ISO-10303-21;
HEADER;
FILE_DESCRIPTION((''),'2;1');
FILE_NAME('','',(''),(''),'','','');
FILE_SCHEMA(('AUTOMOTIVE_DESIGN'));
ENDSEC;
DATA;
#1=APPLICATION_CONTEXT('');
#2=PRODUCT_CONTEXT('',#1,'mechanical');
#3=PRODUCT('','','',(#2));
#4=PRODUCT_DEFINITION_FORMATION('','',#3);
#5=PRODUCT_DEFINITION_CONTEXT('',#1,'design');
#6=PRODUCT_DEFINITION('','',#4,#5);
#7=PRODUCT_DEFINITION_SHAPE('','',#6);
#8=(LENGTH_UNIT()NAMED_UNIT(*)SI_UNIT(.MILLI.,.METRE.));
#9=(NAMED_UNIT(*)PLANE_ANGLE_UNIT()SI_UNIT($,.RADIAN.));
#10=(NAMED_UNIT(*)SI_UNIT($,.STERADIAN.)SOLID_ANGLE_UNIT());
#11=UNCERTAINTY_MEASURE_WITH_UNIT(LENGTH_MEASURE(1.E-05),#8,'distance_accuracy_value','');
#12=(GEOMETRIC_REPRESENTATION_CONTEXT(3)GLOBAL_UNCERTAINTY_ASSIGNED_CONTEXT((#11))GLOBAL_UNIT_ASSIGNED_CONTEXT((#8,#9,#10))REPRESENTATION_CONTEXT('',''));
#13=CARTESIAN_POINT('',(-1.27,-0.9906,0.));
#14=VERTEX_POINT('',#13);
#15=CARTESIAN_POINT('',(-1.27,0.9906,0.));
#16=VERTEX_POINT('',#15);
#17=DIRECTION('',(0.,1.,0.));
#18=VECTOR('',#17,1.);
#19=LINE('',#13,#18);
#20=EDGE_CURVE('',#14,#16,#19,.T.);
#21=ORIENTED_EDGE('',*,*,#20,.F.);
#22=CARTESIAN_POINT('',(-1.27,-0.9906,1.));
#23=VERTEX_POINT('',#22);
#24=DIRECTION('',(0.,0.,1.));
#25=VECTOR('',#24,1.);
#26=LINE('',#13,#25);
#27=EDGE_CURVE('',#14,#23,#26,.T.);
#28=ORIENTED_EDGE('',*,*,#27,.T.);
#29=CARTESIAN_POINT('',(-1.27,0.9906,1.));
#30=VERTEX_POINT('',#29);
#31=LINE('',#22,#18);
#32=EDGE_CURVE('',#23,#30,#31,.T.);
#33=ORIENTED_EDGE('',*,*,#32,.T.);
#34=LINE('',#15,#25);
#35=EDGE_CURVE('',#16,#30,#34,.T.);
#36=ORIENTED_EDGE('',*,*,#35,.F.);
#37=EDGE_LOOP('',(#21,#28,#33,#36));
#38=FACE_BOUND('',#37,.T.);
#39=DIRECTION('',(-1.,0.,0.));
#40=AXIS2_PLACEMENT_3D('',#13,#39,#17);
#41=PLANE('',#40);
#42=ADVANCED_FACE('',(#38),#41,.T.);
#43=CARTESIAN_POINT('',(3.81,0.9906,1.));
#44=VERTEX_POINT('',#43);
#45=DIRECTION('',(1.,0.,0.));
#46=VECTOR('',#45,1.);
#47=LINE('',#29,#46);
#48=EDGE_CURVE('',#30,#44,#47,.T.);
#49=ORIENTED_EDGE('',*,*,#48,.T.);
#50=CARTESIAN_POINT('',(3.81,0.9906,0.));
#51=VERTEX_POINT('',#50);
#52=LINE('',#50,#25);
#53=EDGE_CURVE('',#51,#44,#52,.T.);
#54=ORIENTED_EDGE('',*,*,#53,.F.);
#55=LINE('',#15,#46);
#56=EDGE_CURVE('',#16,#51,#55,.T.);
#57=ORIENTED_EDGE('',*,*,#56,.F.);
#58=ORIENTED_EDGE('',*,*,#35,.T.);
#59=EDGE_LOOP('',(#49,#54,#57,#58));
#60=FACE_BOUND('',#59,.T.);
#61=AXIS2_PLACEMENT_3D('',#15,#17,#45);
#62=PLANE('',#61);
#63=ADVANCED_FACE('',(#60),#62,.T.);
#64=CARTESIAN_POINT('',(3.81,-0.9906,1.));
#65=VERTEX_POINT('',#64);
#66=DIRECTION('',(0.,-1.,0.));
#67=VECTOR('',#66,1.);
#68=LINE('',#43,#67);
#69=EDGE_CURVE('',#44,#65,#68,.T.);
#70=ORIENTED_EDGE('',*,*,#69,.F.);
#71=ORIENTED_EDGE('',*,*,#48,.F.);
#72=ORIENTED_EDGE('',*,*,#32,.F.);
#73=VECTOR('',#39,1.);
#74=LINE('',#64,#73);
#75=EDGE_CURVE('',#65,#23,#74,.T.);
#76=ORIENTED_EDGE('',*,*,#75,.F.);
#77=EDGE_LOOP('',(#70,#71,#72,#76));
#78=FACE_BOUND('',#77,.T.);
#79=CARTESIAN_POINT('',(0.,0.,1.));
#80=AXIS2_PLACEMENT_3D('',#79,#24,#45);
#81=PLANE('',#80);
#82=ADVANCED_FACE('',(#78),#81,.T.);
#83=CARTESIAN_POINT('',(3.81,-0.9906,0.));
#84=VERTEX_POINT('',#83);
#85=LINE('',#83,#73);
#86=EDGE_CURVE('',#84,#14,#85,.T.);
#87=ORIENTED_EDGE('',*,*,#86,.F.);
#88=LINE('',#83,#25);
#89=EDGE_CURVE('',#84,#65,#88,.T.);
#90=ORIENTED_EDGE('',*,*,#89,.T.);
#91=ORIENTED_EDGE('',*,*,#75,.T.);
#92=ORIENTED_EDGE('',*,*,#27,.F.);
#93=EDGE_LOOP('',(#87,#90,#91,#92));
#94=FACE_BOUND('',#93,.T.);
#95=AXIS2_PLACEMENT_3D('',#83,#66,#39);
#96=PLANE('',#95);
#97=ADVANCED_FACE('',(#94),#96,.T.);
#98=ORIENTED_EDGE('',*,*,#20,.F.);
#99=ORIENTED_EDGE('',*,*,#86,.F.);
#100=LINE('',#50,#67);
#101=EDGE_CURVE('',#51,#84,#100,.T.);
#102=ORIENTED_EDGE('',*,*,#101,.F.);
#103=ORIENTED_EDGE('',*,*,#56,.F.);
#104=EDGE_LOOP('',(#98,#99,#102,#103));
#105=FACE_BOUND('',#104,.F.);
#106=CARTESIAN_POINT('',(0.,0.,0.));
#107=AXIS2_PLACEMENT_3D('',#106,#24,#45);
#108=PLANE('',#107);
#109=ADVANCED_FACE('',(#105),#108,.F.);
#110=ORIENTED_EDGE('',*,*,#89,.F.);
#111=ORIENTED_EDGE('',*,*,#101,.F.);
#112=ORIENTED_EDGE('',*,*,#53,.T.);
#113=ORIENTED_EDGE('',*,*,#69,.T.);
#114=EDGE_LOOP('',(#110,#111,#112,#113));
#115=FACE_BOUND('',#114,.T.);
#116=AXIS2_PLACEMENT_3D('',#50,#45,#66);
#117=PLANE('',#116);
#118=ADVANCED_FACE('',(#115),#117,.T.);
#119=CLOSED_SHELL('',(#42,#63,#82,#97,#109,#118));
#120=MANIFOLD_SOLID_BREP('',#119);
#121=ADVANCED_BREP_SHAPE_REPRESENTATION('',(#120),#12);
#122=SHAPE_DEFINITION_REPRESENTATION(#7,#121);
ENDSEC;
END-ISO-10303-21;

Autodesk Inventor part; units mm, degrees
ref_plane "YZ Plane" through (0, 0, 0) normal (1, 0, 0) x (0, 1, 0)
ref_plane "XZ Plane" through (0, 0, 0) normal (0, 1, 0) x (-1, 0, 0)
ref_plane "XY Plane" through (0, 0, 0) normal (0, 0, 1) x (1, 0, 0)
sketch "1X02_LOCK_LONGPADS, 2_34" plane through (0, 0, 0) normal (0, 0, 1) x (1, 0, 0)
  line L0 (-1.27, 0.9906) -> (3.81, 0.9906)
  line L1 (3.81, 0.9906) -> (3.81, -0.9906)
  line L2 (3.81, -0.9906) -> (-1.27, -0.9906)
  line L3 (-1.27, -0.9906) -> (-1.27, 0.9906)
extrude "Extrusion1" add sketch "1X02_LOCK_LONGPADS, 2_34" along normal blind 1
properties part number "2"
